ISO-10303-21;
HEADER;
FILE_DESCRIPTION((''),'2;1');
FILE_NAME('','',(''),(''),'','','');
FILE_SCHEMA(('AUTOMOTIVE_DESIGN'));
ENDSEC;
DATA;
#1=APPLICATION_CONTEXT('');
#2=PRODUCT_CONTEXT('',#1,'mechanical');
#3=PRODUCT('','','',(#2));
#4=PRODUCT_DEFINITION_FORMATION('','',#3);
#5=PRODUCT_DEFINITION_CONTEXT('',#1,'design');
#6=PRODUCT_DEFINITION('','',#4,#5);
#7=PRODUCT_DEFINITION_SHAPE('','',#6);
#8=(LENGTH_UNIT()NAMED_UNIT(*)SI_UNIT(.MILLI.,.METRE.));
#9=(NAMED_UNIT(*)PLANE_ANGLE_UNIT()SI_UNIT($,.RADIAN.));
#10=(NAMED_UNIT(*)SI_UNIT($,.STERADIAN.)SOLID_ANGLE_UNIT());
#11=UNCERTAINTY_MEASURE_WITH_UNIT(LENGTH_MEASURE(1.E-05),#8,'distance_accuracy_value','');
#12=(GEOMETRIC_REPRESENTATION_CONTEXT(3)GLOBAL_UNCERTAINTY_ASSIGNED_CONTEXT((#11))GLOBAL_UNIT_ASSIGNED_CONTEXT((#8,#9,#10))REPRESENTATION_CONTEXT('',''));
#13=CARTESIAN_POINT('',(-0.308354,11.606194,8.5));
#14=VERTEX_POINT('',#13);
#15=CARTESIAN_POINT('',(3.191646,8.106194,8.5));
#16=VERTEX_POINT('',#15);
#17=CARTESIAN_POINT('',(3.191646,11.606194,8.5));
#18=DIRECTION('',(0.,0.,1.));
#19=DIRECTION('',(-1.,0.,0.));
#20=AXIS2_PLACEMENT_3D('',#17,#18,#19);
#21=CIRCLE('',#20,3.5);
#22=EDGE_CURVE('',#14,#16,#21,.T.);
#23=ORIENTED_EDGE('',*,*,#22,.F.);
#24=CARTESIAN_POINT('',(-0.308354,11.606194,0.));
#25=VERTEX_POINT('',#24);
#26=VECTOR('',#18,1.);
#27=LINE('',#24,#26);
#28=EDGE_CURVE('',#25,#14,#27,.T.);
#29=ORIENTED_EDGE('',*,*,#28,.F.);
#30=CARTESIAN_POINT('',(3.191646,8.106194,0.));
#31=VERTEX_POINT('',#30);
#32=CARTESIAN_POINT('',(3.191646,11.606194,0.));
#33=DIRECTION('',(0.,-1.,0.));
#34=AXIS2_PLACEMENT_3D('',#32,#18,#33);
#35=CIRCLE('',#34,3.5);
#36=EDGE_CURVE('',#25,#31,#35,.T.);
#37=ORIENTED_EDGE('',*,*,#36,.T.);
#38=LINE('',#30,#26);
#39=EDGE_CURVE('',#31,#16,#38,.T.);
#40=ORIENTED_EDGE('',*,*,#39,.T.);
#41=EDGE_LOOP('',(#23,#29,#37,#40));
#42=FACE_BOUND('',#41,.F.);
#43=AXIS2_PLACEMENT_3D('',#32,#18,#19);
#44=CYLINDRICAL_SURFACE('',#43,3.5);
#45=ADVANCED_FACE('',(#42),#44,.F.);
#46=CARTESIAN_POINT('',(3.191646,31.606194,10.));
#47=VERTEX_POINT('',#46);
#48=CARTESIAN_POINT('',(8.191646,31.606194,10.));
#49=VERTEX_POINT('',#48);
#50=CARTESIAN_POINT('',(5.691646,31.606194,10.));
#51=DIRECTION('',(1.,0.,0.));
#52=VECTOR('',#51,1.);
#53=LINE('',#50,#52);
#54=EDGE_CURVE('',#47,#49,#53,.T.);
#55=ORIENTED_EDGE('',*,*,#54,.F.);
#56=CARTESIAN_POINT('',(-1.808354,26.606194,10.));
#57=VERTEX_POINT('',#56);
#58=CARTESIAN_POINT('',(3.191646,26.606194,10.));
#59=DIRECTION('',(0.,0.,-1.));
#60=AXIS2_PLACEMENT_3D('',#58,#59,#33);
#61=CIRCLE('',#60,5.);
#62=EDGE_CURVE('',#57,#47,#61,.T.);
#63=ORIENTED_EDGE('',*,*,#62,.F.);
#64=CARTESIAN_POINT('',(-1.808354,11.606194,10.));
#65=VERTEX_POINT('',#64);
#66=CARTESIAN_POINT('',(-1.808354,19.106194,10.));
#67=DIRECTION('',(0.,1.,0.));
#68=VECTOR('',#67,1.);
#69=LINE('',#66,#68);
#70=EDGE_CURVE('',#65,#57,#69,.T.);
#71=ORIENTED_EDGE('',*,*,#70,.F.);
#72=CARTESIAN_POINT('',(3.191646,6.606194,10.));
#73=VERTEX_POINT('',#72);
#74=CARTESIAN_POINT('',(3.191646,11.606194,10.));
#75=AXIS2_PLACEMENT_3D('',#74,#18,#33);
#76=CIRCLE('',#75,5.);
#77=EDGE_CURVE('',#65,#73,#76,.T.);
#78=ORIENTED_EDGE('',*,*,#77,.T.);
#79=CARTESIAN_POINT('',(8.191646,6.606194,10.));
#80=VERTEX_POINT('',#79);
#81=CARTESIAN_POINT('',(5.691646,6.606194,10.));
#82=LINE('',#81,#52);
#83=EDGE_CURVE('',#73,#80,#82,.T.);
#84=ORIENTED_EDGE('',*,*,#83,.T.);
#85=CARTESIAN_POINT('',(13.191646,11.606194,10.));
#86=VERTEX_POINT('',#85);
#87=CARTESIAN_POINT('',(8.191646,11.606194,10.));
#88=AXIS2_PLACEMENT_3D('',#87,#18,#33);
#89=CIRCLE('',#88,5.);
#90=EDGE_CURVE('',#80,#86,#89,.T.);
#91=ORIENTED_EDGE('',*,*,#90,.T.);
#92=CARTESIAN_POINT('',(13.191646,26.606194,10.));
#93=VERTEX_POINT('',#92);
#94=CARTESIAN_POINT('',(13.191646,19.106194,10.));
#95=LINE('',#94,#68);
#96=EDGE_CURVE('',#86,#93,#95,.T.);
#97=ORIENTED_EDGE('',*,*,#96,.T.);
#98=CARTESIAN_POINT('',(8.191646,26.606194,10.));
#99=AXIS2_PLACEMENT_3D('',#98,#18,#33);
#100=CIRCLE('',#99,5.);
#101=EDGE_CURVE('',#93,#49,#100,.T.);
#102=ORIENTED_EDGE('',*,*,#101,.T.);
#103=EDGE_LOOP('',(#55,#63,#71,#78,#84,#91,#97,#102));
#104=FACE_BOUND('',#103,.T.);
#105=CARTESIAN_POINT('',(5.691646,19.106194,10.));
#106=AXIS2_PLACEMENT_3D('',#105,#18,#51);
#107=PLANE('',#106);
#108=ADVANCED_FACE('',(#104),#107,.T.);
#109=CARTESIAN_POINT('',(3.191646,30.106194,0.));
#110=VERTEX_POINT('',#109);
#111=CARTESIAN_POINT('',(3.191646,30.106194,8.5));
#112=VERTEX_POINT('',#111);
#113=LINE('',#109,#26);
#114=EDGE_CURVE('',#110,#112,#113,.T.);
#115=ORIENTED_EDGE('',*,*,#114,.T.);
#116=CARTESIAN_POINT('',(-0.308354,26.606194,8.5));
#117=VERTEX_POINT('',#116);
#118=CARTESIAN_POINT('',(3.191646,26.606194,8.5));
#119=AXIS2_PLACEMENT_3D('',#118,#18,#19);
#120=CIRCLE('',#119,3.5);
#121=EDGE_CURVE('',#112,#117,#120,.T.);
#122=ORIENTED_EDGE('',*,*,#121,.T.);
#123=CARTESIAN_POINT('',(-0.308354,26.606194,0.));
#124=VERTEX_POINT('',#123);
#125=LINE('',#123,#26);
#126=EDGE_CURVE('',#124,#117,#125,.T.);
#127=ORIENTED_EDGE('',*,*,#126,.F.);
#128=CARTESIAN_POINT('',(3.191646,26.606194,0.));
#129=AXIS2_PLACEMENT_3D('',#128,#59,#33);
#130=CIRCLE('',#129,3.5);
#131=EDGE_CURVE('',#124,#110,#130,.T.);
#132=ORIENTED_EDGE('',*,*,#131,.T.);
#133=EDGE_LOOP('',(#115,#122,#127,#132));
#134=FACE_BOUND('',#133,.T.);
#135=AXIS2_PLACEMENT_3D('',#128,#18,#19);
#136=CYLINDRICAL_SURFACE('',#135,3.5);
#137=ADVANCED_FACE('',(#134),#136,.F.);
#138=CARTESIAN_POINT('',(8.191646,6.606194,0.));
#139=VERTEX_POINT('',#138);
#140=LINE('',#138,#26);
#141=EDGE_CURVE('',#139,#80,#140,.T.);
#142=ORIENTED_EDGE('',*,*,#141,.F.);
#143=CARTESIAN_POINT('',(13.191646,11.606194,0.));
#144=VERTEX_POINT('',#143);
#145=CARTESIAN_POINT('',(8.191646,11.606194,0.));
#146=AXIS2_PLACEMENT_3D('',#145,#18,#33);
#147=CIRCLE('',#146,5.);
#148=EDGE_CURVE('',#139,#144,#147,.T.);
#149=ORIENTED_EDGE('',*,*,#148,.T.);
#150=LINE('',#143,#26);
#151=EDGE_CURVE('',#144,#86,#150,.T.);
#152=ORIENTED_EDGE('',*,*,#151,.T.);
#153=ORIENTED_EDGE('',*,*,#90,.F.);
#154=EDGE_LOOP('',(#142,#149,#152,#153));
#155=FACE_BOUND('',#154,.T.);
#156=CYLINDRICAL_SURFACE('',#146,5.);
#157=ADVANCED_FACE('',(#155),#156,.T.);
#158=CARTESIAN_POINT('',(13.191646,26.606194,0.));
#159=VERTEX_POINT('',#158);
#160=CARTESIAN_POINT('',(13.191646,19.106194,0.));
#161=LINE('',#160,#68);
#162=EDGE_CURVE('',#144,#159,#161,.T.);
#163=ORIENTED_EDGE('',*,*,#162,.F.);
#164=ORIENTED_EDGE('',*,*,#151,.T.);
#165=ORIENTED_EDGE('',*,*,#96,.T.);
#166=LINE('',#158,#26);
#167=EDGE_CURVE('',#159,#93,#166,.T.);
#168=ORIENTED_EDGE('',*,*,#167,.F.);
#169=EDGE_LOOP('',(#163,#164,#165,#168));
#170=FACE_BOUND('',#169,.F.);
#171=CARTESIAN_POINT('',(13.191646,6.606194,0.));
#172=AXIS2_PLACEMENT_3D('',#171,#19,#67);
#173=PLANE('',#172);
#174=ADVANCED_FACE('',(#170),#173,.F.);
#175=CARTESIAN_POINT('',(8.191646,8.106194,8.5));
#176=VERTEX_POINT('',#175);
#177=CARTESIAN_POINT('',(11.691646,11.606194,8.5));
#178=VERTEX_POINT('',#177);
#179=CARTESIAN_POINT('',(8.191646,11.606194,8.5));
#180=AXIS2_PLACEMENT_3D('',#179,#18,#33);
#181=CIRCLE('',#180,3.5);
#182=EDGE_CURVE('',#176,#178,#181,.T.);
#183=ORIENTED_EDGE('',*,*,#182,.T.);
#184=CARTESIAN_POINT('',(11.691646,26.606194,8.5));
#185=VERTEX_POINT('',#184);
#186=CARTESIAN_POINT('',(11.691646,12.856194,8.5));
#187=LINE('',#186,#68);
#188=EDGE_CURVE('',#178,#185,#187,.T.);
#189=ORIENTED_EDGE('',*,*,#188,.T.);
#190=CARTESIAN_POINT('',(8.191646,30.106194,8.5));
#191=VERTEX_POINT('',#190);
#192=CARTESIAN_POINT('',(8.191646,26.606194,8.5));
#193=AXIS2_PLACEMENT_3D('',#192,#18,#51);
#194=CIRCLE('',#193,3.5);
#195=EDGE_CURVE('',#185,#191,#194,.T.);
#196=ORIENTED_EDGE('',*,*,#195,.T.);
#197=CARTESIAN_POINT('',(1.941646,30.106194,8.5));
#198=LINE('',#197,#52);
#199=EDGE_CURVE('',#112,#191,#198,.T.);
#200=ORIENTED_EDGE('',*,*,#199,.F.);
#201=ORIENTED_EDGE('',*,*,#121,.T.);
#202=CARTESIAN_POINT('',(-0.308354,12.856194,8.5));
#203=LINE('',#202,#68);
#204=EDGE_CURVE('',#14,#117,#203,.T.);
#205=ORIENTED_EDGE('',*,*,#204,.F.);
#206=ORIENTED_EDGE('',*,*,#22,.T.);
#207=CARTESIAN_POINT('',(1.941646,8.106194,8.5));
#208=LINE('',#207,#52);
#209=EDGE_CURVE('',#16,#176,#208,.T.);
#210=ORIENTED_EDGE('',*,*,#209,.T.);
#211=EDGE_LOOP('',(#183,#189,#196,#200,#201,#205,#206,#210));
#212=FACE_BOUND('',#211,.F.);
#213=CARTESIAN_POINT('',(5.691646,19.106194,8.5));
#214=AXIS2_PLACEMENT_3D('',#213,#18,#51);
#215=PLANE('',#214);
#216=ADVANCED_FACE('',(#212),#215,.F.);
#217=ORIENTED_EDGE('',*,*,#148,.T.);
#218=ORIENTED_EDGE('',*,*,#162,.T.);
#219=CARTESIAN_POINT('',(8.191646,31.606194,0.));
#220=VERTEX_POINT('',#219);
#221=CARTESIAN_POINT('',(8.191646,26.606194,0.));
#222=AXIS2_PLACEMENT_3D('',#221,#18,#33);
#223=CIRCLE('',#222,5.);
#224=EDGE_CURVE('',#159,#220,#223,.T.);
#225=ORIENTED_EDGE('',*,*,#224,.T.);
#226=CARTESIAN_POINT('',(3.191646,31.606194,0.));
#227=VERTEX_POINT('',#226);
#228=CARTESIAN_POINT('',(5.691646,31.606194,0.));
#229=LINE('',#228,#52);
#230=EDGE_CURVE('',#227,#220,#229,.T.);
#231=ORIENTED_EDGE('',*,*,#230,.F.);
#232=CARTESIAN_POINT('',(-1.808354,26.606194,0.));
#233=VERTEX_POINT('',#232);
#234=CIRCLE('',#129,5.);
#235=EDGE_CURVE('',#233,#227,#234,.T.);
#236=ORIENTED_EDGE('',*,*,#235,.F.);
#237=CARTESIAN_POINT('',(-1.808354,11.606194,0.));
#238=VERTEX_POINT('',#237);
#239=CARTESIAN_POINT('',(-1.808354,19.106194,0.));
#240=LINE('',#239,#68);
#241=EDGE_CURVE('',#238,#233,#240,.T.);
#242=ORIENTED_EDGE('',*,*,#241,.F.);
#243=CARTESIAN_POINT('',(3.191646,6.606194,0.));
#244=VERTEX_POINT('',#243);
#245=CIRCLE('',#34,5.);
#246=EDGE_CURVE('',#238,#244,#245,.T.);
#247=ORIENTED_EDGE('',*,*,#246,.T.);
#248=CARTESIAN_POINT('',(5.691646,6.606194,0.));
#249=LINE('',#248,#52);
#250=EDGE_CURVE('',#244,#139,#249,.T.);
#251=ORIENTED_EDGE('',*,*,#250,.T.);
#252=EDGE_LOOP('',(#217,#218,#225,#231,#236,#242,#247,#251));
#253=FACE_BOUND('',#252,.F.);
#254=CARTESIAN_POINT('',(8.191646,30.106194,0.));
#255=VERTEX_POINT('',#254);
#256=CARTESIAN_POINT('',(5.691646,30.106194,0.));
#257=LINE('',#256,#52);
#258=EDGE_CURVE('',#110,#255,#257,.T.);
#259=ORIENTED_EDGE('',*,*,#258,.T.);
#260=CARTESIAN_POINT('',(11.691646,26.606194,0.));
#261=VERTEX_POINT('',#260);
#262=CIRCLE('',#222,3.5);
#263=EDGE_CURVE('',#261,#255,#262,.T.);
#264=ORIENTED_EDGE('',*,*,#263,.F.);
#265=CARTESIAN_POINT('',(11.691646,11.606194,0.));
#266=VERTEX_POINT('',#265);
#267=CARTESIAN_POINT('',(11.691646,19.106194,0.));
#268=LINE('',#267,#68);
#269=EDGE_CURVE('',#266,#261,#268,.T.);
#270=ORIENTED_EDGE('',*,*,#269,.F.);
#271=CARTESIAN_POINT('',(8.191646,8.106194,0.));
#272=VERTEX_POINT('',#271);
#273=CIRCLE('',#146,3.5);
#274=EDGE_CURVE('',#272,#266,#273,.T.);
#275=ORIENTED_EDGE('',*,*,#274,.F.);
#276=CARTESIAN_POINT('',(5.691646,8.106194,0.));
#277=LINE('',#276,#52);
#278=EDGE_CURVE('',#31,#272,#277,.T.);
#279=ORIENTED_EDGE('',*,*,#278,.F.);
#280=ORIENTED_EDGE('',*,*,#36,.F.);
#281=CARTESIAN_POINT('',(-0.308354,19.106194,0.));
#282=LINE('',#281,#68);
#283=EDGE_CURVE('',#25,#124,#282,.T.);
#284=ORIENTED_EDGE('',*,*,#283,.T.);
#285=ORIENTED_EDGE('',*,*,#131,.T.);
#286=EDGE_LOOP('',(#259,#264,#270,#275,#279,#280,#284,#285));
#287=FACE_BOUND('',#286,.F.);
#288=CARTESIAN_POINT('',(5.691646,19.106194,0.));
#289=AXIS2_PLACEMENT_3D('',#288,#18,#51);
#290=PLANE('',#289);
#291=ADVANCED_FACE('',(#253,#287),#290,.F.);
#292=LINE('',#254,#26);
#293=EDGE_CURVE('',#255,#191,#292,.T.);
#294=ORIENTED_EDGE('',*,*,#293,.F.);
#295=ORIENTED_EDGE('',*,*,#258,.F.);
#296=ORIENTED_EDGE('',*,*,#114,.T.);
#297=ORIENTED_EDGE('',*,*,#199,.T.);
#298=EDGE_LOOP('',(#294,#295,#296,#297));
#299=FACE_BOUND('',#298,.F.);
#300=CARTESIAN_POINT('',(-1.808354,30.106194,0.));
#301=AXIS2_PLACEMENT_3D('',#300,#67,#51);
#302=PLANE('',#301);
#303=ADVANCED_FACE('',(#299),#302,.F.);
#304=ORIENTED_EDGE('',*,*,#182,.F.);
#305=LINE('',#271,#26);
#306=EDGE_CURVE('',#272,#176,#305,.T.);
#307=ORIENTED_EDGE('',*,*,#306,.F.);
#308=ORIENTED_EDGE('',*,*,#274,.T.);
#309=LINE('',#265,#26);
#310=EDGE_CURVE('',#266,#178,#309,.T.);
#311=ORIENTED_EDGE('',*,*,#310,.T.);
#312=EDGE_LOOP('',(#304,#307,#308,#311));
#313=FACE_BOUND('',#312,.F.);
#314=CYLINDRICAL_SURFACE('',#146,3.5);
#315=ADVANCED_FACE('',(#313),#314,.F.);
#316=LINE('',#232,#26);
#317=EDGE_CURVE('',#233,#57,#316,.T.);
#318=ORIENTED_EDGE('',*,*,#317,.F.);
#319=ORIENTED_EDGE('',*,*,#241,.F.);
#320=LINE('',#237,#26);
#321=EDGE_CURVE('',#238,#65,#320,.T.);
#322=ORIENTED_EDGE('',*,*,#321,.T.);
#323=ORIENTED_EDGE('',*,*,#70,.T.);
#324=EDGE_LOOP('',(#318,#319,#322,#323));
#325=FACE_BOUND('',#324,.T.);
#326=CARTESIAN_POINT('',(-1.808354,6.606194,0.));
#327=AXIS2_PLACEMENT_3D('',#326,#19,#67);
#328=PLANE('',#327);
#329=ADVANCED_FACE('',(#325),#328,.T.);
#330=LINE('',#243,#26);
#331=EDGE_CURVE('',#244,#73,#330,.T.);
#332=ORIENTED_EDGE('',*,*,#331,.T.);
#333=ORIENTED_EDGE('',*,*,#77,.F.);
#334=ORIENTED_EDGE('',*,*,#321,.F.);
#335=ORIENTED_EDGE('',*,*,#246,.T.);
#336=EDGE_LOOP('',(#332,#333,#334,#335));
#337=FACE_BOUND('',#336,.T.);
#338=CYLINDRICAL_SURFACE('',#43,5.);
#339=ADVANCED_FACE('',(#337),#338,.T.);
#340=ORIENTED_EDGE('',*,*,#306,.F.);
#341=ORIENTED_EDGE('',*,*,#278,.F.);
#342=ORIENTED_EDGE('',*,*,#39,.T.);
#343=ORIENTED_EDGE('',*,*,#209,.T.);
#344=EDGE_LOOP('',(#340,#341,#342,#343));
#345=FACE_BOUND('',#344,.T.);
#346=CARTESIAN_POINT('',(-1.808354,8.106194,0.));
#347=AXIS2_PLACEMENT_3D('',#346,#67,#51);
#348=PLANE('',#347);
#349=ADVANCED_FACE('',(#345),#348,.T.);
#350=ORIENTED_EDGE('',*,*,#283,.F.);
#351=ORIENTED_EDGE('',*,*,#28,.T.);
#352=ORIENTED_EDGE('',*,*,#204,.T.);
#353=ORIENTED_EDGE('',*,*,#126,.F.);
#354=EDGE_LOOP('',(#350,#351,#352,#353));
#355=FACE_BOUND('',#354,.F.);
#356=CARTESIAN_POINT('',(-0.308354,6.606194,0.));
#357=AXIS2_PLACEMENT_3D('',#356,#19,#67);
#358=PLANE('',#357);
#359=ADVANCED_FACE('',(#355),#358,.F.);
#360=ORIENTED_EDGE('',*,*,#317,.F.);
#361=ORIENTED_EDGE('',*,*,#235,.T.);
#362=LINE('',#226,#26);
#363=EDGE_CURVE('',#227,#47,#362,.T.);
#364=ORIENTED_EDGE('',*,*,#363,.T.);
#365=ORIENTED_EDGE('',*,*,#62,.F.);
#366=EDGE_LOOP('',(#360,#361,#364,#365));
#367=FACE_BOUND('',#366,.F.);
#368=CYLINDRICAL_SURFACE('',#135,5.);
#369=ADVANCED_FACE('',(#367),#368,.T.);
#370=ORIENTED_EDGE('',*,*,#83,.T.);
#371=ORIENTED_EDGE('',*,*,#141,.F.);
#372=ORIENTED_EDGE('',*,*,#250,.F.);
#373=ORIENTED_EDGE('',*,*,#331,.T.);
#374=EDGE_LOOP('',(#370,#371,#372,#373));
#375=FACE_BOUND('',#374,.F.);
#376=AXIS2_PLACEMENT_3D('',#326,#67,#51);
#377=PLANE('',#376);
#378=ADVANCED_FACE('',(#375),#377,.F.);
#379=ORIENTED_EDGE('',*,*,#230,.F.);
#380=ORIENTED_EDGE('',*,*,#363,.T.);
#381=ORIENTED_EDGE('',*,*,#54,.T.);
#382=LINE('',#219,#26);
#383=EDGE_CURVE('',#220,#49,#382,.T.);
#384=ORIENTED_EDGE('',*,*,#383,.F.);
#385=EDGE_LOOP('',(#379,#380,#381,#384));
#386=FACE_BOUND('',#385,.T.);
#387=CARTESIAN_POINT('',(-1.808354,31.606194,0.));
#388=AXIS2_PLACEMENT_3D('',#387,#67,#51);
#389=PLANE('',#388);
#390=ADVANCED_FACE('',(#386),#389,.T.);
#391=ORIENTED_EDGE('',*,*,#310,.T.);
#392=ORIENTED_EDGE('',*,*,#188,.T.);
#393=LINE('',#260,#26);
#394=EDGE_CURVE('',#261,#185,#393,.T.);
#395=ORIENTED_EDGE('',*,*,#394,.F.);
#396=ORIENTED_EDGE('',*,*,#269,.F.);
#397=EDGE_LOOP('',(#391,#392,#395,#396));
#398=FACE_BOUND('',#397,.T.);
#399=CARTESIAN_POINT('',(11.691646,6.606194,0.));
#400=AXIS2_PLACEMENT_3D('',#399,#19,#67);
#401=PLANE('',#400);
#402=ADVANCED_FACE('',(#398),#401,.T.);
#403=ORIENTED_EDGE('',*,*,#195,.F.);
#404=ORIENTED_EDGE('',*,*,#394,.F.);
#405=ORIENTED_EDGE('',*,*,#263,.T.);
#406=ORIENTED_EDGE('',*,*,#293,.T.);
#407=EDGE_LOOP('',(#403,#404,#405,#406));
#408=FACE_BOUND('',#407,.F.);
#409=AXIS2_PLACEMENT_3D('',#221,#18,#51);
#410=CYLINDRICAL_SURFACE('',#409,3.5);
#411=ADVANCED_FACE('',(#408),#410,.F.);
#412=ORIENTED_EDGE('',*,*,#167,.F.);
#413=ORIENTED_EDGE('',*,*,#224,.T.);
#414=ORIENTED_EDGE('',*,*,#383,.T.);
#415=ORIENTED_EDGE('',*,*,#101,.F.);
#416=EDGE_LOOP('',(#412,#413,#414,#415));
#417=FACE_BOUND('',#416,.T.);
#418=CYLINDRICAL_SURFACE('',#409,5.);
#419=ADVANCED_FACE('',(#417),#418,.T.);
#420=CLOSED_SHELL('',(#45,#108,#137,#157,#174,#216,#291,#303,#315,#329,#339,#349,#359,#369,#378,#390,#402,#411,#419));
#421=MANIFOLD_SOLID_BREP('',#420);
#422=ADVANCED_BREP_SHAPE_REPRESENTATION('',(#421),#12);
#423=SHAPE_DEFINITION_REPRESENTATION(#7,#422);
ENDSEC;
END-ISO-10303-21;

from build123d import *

# Parameters (mm, degrees)
F0_W     = 15
F0_H     = 25
F1_DEPTH = 10
F2_R     = 5
F3_T     = -1.5


with BuildPart() as f1:
    # F0 (on Top) → F1 (new body)
    with BuildSketch(Plane.XY):
        with Locations((5.691646, 19.106194)):
            Rectangle(F0_W, F0_H)
    extrude(amount=F1_DEPTH)

    # F2
    f2_edges = [f1.edges().sort_by_distance(p)[0] for p in [
        (13.191646, 6.606194, 5),
        (-1.808354, 6.606194, 5),
        (13.191646, 31.606194, 5),
        (-1.808354, 31.606194, 5),
    ]]
    fillet(f2_edges, radius=F2_R)

    # F3
    f3_openings = [f1.faces().sort_by_distance(p)[0] for p in [
        (5.691646, 19.106194, 0),
    ]]
    offset(amount=F3_T, openings=f3_openings)


solid = f1.part
